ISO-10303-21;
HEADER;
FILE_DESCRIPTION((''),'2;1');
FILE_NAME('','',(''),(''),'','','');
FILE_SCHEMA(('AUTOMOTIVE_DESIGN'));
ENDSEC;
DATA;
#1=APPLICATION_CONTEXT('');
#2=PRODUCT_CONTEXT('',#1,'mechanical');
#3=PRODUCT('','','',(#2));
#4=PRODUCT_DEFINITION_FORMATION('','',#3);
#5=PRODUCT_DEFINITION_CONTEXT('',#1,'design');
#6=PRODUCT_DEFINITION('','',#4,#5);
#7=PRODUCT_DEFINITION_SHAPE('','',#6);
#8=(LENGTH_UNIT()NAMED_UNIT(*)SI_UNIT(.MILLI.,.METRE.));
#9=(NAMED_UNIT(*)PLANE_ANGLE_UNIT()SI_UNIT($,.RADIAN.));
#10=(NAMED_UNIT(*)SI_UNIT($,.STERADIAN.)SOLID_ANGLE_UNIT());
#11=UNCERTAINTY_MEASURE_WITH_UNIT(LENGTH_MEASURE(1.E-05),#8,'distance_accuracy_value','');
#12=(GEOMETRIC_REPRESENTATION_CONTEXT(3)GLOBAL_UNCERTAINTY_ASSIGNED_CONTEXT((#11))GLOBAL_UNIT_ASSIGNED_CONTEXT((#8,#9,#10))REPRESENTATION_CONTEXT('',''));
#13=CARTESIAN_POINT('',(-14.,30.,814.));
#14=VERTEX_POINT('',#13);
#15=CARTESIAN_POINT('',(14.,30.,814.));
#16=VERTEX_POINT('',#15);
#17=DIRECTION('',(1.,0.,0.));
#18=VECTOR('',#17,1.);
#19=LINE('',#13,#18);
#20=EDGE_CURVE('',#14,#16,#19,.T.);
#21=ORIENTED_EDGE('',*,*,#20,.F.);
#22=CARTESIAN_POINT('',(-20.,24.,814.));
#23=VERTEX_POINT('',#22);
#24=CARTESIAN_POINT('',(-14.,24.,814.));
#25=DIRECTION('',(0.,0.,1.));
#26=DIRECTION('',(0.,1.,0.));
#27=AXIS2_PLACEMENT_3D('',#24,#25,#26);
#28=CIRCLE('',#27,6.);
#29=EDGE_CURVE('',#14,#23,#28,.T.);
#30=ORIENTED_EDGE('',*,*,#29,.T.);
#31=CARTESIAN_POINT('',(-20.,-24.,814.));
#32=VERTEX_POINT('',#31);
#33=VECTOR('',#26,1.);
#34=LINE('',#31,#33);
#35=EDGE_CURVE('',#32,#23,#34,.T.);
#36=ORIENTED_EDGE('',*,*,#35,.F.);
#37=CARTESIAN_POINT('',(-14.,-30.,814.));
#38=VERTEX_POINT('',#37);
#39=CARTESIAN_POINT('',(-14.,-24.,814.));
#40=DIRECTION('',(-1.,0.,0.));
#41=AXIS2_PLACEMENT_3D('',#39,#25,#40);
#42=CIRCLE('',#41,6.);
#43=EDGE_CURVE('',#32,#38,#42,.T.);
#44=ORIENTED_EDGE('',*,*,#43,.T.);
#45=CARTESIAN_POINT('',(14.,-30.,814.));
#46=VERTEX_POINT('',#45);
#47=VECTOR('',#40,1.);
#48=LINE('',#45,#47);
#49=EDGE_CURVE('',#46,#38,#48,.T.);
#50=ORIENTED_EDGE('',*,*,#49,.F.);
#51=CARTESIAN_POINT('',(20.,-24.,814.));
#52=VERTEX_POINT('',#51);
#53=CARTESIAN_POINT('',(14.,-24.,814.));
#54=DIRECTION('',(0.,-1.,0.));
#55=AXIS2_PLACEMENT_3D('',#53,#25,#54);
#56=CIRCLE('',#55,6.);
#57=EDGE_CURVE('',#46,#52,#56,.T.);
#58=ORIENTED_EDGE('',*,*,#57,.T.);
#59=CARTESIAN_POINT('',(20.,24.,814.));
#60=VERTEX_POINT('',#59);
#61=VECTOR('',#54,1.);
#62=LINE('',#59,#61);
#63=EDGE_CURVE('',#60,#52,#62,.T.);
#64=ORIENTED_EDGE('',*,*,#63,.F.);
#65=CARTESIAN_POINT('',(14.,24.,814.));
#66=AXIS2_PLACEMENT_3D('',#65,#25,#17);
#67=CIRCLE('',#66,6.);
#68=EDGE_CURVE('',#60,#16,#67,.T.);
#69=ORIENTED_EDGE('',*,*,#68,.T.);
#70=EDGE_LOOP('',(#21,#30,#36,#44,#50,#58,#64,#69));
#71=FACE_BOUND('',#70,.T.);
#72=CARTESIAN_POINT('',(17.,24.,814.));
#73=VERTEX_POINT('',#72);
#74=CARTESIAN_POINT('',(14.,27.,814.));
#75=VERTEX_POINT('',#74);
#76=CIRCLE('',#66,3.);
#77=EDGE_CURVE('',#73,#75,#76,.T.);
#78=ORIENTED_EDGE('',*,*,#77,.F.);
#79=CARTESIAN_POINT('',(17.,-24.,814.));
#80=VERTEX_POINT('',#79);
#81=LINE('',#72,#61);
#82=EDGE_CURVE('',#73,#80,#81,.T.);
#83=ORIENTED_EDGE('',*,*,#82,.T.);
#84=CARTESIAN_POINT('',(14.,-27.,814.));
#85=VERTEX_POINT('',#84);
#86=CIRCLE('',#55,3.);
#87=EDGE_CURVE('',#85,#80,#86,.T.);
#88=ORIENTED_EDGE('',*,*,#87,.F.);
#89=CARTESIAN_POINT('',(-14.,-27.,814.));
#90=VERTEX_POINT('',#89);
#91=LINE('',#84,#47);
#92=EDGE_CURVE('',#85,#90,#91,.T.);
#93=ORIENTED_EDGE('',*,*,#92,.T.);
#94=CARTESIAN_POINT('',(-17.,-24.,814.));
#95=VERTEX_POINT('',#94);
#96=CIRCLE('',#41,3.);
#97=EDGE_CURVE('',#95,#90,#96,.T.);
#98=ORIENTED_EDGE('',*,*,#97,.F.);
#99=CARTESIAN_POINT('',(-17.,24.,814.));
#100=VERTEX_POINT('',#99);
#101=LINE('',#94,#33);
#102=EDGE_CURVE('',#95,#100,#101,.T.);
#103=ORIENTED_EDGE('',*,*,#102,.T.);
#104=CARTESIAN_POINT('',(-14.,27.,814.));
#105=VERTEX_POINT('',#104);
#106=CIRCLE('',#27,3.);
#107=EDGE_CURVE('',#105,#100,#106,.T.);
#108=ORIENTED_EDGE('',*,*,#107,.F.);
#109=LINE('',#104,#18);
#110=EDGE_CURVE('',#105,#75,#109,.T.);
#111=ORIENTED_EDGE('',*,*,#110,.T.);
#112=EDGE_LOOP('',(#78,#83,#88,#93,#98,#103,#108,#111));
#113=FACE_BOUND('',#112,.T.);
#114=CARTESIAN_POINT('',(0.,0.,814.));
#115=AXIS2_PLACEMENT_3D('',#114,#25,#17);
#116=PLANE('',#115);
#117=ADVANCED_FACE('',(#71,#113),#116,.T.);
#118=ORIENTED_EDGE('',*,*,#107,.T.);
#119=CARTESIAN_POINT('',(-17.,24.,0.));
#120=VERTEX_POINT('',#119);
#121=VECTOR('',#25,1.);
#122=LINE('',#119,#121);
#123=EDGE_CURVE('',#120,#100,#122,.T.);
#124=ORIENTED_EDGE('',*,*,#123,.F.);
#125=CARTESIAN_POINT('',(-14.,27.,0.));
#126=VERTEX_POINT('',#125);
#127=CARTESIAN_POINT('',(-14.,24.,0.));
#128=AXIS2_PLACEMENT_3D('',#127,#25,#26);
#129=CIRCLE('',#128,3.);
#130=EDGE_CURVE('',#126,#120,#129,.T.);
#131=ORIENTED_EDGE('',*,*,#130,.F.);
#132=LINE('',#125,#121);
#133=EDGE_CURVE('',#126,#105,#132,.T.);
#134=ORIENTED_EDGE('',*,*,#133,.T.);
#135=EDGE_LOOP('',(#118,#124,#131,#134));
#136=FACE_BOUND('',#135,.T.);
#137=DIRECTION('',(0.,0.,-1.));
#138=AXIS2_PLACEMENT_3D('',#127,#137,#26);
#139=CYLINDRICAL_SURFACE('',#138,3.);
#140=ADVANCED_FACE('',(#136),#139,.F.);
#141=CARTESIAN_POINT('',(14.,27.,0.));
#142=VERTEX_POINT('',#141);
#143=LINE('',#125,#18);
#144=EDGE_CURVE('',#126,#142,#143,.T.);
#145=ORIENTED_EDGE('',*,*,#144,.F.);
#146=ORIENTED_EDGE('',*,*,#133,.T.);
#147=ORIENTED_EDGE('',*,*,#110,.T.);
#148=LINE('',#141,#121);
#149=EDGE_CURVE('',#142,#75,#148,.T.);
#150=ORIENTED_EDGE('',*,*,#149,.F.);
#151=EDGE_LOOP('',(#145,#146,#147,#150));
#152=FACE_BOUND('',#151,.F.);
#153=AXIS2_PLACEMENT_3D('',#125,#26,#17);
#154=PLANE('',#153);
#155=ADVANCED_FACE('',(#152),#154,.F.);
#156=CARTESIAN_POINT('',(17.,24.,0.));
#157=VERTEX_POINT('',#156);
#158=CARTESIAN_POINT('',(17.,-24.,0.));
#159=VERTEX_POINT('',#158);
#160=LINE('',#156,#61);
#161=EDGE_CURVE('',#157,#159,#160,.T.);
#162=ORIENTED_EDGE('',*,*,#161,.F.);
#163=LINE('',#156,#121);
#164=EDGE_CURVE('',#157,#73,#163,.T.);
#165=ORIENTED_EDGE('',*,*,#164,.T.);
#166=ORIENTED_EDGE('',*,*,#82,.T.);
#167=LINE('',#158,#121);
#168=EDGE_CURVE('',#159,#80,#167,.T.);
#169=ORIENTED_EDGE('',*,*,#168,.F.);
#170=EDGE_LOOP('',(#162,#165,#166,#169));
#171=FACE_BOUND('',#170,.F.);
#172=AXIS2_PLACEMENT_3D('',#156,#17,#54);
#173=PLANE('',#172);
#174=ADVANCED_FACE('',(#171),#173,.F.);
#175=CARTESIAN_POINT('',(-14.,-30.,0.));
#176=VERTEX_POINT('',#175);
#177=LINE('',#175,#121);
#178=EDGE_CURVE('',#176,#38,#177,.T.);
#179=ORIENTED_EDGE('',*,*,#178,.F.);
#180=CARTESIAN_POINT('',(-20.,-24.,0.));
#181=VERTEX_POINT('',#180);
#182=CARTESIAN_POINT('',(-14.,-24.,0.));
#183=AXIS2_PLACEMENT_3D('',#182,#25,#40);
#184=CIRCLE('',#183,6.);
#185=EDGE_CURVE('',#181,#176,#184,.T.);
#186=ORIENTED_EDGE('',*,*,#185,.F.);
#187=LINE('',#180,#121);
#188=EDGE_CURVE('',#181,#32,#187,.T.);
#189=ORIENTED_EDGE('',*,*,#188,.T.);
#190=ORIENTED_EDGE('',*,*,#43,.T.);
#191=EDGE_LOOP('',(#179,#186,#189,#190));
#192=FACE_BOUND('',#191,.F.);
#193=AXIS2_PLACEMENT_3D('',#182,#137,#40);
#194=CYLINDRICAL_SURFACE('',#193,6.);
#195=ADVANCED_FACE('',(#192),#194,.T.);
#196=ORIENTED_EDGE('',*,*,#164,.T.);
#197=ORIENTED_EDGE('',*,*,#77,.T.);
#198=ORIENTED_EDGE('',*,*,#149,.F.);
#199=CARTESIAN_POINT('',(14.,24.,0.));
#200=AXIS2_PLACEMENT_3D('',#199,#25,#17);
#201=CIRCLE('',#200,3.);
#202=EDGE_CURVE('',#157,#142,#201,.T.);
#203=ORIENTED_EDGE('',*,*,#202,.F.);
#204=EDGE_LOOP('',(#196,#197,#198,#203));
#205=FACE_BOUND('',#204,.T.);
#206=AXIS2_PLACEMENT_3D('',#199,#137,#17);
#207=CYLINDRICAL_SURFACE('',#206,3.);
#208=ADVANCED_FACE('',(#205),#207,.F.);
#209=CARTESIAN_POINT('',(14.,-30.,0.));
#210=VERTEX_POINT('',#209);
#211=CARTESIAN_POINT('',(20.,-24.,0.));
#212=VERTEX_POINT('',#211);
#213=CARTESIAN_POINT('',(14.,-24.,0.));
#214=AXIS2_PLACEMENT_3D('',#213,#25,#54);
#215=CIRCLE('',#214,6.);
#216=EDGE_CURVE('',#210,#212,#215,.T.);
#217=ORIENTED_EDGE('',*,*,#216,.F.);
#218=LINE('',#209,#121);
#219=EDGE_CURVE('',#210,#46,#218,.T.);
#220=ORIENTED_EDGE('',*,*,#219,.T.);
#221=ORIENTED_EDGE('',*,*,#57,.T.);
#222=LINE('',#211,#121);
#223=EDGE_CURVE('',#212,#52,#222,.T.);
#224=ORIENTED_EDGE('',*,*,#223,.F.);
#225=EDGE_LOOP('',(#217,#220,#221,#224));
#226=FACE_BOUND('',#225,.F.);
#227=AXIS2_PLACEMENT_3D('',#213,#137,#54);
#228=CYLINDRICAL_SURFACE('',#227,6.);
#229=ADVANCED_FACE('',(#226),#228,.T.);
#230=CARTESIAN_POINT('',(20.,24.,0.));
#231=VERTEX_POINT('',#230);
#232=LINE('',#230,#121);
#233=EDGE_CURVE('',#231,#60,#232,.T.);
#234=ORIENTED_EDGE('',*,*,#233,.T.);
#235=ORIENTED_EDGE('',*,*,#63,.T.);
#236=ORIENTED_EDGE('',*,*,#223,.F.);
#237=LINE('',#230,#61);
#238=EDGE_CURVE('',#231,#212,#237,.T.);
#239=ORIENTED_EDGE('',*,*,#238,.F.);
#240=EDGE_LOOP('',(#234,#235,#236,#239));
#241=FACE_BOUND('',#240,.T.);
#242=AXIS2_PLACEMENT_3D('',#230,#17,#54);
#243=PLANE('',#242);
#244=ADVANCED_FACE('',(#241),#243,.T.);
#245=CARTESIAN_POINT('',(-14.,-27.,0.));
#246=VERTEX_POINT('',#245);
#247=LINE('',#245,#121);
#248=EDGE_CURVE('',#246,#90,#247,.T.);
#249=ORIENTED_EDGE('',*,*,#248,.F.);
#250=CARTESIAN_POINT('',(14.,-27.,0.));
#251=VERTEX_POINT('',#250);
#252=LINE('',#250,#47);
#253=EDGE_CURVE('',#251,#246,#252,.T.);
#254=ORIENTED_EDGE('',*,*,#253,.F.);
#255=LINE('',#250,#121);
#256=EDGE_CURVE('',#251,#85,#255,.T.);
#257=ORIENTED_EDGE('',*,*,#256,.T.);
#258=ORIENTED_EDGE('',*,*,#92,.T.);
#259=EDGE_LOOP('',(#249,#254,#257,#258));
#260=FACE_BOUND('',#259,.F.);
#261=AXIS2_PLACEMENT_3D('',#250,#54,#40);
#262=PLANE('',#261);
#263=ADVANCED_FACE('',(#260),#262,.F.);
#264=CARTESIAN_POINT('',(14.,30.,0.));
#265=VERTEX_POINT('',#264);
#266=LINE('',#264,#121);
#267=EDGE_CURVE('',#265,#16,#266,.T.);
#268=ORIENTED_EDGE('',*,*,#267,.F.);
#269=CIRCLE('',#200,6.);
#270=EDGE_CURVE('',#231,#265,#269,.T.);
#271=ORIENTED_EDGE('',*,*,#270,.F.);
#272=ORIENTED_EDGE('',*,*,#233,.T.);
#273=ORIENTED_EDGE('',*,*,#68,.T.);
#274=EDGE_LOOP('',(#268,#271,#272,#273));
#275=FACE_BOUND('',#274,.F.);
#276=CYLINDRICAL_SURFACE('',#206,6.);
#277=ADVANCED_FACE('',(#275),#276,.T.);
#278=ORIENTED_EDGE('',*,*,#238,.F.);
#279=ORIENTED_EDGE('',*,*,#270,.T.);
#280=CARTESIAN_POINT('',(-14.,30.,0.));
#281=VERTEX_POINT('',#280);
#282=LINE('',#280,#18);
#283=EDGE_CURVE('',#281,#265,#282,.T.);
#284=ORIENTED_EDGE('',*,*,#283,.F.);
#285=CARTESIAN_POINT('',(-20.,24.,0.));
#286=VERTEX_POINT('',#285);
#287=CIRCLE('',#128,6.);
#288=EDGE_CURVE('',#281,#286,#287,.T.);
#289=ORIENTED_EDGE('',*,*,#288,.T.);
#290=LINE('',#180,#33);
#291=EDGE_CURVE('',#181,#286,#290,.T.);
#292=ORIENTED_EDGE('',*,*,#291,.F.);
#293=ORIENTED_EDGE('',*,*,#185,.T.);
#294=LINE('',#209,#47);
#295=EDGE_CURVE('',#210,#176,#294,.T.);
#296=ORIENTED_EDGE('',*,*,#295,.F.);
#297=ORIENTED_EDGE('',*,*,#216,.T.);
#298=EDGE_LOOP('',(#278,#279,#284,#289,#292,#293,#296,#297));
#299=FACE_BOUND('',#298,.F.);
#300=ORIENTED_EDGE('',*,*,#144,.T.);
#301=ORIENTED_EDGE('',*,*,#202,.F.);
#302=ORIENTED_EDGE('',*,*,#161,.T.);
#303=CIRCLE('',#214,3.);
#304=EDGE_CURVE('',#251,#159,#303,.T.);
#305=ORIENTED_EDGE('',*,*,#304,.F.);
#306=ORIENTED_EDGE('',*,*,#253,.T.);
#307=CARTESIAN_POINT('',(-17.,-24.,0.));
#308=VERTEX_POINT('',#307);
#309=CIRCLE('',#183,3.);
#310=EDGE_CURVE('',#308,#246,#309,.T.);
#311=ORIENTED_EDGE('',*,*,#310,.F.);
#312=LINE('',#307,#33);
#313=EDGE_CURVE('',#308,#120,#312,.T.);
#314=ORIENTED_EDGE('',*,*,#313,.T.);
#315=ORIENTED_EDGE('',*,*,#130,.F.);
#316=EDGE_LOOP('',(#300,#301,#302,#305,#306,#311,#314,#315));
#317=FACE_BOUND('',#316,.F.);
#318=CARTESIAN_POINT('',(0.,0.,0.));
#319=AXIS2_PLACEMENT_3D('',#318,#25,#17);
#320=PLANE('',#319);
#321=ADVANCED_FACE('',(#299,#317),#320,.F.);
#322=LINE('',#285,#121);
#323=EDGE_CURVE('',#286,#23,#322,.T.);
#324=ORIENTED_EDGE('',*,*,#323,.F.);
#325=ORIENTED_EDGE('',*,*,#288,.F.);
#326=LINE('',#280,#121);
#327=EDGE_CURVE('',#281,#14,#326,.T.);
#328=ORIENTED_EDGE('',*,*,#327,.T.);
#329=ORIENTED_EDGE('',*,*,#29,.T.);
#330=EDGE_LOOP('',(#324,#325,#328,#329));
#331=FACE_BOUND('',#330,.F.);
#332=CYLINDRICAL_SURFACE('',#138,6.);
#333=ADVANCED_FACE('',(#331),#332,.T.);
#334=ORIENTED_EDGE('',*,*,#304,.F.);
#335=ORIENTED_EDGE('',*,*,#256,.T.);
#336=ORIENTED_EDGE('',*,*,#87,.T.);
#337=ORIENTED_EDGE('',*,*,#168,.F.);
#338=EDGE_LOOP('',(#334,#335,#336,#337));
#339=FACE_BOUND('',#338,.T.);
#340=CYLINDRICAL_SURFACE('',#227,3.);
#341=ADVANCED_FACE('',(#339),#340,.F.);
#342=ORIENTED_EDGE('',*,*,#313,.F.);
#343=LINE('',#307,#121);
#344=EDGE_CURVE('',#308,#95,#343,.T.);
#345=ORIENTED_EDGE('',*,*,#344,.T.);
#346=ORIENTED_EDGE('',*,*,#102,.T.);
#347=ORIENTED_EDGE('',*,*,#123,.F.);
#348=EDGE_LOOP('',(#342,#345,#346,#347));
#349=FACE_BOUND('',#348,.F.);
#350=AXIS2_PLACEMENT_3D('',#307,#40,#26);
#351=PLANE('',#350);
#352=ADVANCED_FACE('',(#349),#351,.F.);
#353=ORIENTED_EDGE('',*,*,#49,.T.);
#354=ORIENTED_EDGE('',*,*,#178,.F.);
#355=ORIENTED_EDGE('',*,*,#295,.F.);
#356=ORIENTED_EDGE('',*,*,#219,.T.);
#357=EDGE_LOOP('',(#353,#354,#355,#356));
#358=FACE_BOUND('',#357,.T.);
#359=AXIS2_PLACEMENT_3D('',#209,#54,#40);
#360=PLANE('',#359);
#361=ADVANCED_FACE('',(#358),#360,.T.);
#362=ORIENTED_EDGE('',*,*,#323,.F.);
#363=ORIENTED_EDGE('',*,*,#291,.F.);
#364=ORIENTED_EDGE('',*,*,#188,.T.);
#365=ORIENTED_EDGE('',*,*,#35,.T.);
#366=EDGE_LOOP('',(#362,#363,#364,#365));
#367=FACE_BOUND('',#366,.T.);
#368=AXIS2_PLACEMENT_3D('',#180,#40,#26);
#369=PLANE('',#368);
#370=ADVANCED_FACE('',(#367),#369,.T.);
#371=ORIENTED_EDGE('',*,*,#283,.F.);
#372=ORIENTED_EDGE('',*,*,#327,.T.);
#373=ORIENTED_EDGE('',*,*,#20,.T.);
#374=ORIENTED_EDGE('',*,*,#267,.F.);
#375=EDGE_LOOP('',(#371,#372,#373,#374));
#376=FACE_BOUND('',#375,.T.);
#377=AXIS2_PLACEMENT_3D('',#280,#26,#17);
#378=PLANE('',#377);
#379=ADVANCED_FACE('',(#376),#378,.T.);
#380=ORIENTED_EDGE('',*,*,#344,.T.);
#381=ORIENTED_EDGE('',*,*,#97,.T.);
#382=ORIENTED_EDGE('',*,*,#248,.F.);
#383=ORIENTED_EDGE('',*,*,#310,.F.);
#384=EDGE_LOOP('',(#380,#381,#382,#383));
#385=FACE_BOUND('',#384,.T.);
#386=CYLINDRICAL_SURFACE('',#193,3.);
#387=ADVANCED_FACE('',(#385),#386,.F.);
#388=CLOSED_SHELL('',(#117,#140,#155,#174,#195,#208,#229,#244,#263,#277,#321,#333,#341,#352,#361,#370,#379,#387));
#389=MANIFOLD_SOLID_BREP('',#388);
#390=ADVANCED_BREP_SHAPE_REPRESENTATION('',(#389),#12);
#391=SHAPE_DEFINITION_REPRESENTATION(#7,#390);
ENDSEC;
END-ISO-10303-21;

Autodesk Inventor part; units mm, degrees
ref_plane "YZ Plane" through (0, 0, 0) normal (1, 0, 0) x (0, 1, 0)
ref_plane "Start Plane" through (0, 0, 0) normal (0, 0, 1) x (1, 0, 0)
ref_plane "End Plane" through (0, 0, 814) normal (0, 0, 1) x (1, 0, 0)
sketch "Sketch" plane through (0, 0, 0) normal (0, 0, 1) x (1, 0, 0)
  line L0 (-20, -24) -> (-20, 24)
  line L1 (-14, 30) -> (14, 30)
  line L2 (20, 24) -> (20, -24)
  line L3 (14, -30) -> (-14, -30)
  arc A0 (-20, -24) -> (-14, -30) centre (-14, -24) ccw
  arc A1 (20, 24) -> (14, 30) centre (14, 24) ccw
  arc A2 (-14, 30) -> (-20, 24) centre (-14, 24) ccw
  arc A3 (14, -30) -> (20, -24) centre (14, -24) ccw
  arc A4 (-14, 27) -> (-17, 24) centre (-14, 24) ccw
  line L4 (-14, 27) -> (14, 27)
  arc A5 (17, 24) -> (14, 27) centre (14, 24) ccw
  line L5 (17, 24) -> (17, -24)
  arc A6 (14, -27) -> (17, -24) centre (14, -24) ccw
  line L6 (14, -27) -> (-14, -27)
  arc A7 (-17, -24) -> (-14, -27) centre (-14, -24) ccw
  line L7 (-17, -24) -> (-17, 24)
  line L8 (0, 43.7397) -> (0, -43.7397) construction
  line L9 (-29.7397, 0) -> (29.7397, 0) construction
  dimension "d7" = 6
  dimension "d9" = 40
  dimension "d11" = 60
  dimension "d12" = 3
  dimension "d15" = 20
  dimension "d16" = 30
extrude "Body" add sketch "Sketch" along normal up to surface (814 mm away) from surface at 0
sketch "Sketch3" plane through (0, 0, 0) normal (0, 0, 1) x (1, 0, 0)
  line L0 (0, 0) -> (10, 0)
ref_plane "Work Plane3" through (0, 0, 0) normal (0, -1, 0) x (1, 0, 0)
sketch "Sketch4" plane through (0, 0, 0) normal (0, -1, 0) x (1, 0, 0)
  line L0 (-2, 0) -> (12, 0) projected
  line L1 (-2, 814) -> (12, 814) projected
  dimension "d18" = 814
equation "\"d7\" = G_IR"
equation "\"d9\" = G_W"
equation "\"d11\" = G_H"
equation "\"d12\" = G_T"
equation "\"d15\" = 0.5 * d9"
equation "\"d16\" = 0.5 * d11"
equation "\"d3\" = G_L"
equation "\"G_W\" = 40"
equation "\"G_H\" = 60"
equation "\"G_T\" = 3"
equation "\"G_IR\" = 6"
equation "\"G_L\" = d18"
equation "\"G_OFFSET_START\" = 0"
equation "\"G_OFFSET_END\" = 0"
equation "\"d14\" = G_OFFSET_END + B_L"
equation "\"B_L\" = 814"
properties part number "ISO 4019 - 60x40x3 - 814" material "Steel, Mild"
